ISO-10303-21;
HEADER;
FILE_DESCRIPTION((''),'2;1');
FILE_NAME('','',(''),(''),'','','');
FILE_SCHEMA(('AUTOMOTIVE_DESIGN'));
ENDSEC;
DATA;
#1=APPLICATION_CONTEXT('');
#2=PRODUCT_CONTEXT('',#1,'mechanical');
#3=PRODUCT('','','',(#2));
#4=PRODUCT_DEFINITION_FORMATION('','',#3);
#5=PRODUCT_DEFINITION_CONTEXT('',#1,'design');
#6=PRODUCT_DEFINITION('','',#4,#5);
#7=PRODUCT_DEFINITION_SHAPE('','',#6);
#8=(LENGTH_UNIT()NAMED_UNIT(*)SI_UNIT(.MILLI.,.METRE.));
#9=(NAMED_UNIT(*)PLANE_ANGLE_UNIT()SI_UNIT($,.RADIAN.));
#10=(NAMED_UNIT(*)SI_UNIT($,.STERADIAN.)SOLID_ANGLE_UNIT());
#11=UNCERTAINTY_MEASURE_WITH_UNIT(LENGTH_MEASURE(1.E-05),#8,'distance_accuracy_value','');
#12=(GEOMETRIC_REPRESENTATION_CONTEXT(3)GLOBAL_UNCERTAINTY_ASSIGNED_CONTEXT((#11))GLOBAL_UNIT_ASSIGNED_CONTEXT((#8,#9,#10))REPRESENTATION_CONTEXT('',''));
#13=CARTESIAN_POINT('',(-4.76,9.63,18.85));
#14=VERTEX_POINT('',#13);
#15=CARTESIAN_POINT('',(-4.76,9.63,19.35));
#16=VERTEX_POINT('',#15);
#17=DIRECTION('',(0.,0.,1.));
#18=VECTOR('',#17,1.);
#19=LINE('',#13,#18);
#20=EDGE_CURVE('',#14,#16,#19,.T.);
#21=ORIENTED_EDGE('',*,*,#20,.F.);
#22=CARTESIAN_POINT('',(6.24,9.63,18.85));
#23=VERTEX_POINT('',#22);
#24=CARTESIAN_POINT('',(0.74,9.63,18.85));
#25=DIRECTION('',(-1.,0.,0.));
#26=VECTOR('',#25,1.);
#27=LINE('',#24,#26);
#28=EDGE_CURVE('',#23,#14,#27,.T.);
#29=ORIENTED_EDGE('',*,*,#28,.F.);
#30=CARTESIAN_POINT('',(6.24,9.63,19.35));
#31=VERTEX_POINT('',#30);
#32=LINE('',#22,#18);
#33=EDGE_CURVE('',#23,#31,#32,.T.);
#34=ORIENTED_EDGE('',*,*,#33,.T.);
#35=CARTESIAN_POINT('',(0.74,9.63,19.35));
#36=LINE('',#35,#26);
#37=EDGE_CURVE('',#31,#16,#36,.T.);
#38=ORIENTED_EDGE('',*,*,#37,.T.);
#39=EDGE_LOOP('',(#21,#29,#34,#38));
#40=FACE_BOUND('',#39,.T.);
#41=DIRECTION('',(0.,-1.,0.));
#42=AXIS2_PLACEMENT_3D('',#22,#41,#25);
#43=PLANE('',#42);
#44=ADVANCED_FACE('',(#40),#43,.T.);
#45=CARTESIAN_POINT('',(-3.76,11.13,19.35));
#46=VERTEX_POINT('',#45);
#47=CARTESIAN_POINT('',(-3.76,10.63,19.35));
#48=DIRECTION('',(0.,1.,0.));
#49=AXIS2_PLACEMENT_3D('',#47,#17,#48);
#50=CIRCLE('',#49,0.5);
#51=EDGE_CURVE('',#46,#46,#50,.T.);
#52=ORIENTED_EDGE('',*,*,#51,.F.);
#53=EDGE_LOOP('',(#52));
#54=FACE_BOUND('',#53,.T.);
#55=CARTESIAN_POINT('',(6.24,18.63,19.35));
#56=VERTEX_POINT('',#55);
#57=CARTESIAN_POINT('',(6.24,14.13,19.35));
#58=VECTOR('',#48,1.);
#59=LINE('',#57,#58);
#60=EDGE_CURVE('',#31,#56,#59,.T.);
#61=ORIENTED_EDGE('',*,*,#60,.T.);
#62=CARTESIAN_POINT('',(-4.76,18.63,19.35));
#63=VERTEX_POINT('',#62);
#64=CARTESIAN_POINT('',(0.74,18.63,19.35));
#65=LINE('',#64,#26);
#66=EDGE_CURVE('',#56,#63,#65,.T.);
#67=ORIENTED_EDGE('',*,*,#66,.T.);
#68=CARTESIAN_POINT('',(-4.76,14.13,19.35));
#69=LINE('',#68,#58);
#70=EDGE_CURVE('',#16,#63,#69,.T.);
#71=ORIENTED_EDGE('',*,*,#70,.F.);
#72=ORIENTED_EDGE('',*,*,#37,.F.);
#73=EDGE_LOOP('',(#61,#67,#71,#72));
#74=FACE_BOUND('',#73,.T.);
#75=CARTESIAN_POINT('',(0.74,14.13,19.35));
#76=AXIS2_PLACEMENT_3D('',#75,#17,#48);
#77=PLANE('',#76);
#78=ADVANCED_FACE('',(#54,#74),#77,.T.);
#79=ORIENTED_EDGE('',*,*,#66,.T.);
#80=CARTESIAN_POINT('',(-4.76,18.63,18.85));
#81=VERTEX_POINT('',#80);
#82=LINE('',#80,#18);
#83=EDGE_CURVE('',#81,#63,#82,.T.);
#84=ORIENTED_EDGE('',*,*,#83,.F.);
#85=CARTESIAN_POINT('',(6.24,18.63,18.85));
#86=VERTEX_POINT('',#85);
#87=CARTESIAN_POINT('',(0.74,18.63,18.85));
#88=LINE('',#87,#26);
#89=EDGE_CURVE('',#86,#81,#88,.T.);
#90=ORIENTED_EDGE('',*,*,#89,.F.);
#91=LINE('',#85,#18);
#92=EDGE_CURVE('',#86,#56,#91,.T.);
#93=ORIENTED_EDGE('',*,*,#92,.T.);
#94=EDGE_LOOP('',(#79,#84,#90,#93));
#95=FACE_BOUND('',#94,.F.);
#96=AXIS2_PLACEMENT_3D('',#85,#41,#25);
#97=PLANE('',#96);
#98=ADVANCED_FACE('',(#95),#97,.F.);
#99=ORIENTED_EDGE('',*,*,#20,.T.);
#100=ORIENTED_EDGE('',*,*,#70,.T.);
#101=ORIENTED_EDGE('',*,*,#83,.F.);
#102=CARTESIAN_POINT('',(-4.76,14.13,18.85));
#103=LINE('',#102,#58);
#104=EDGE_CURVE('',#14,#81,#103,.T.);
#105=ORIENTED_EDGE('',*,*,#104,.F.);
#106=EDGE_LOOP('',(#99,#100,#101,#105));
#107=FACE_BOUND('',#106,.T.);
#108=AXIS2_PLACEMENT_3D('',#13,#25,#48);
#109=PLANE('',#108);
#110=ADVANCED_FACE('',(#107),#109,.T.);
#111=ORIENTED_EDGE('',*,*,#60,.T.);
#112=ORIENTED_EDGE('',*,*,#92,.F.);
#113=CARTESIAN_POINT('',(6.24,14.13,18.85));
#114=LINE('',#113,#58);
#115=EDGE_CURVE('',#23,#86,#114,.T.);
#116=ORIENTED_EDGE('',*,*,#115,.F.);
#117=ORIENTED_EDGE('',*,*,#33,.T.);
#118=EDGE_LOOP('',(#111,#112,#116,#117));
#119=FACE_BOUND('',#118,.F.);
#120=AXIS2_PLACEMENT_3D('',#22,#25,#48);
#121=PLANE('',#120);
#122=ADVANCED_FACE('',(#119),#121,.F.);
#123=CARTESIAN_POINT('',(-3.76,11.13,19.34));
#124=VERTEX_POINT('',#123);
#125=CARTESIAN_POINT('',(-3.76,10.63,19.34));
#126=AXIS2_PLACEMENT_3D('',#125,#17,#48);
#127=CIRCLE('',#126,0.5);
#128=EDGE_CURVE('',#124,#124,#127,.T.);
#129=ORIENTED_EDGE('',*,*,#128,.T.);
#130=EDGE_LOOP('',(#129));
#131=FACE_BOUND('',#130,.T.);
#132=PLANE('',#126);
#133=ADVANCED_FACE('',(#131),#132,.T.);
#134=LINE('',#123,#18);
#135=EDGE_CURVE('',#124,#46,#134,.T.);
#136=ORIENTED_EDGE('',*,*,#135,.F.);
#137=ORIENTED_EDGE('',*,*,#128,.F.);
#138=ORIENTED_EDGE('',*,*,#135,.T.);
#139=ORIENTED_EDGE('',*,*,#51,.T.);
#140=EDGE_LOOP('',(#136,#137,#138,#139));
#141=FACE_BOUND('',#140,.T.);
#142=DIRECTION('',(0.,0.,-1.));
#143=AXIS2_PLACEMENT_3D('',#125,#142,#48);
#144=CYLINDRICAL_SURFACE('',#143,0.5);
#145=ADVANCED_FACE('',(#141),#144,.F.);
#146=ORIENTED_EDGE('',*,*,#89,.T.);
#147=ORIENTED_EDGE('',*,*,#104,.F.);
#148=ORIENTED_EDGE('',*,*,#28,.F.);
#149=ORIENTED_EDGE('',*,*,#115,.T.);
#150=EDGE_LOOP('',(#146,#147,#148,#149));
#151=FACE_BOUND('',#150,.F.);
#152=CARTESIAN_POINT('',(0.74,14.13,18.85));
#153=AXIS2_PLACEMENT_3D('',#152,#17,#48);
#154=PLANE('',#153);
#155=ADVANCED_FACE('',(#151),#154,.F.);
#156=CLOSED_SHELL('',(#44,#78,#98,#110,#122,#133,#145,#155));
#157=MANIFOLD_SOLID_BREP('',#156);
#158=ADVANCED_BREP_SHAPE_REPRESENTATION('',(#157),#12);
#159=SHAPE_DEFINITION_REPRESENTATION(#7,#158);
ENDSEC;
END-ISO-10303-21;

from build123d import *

# Parameters (mm, degrees)
CYLINDER024_R          = 0.5
CYLINDER024_DEPTH      = 0.01
BOX063_W               = 9
BOX063_H               = 11
BOX063_DEPTH           = 0.5
CUT014_PLACEMENT_ANGLE = 90


with BuildPart() as cylinder024:
    # Cylinder024 → Cylinder024 (new body)
    with BuildSketch(Plane(origin=(1, 10, 0.49), x_dir=(1, 0, 0), z_dir=(0, 0, 1))):
        Circle(CYLINDER024_R)
    extrude(amount=CYLINDER024_DEPTH)


with BuildPart() as large_linbo3_plate007:
    # Box063 → Box063 (new body)
    with BuildSketch(Plane.XY):
        with Locations((4.5, 5.5)):
            Rectangle(BOX063_W, BOX063_H)
    extrude(amount=BOX063_DEPTH)

    # Cut014: cut Cylinder024
    add(cylinder024.part, mode=Mode.SUBTRACT)


with BuildPart() as large_linbo3_plate007_1:
    # Cut014 placement: moved
    add(large_linbo3_plate007.part.moved(Location((6.24, 9.63, 18.85))).rotate(Axis((6.24, 9.63, 18.85), (0, 0, 1)), CUT014_PLACEMENT_ANGLE))


solid = large_linbo3_plate007_1.part
